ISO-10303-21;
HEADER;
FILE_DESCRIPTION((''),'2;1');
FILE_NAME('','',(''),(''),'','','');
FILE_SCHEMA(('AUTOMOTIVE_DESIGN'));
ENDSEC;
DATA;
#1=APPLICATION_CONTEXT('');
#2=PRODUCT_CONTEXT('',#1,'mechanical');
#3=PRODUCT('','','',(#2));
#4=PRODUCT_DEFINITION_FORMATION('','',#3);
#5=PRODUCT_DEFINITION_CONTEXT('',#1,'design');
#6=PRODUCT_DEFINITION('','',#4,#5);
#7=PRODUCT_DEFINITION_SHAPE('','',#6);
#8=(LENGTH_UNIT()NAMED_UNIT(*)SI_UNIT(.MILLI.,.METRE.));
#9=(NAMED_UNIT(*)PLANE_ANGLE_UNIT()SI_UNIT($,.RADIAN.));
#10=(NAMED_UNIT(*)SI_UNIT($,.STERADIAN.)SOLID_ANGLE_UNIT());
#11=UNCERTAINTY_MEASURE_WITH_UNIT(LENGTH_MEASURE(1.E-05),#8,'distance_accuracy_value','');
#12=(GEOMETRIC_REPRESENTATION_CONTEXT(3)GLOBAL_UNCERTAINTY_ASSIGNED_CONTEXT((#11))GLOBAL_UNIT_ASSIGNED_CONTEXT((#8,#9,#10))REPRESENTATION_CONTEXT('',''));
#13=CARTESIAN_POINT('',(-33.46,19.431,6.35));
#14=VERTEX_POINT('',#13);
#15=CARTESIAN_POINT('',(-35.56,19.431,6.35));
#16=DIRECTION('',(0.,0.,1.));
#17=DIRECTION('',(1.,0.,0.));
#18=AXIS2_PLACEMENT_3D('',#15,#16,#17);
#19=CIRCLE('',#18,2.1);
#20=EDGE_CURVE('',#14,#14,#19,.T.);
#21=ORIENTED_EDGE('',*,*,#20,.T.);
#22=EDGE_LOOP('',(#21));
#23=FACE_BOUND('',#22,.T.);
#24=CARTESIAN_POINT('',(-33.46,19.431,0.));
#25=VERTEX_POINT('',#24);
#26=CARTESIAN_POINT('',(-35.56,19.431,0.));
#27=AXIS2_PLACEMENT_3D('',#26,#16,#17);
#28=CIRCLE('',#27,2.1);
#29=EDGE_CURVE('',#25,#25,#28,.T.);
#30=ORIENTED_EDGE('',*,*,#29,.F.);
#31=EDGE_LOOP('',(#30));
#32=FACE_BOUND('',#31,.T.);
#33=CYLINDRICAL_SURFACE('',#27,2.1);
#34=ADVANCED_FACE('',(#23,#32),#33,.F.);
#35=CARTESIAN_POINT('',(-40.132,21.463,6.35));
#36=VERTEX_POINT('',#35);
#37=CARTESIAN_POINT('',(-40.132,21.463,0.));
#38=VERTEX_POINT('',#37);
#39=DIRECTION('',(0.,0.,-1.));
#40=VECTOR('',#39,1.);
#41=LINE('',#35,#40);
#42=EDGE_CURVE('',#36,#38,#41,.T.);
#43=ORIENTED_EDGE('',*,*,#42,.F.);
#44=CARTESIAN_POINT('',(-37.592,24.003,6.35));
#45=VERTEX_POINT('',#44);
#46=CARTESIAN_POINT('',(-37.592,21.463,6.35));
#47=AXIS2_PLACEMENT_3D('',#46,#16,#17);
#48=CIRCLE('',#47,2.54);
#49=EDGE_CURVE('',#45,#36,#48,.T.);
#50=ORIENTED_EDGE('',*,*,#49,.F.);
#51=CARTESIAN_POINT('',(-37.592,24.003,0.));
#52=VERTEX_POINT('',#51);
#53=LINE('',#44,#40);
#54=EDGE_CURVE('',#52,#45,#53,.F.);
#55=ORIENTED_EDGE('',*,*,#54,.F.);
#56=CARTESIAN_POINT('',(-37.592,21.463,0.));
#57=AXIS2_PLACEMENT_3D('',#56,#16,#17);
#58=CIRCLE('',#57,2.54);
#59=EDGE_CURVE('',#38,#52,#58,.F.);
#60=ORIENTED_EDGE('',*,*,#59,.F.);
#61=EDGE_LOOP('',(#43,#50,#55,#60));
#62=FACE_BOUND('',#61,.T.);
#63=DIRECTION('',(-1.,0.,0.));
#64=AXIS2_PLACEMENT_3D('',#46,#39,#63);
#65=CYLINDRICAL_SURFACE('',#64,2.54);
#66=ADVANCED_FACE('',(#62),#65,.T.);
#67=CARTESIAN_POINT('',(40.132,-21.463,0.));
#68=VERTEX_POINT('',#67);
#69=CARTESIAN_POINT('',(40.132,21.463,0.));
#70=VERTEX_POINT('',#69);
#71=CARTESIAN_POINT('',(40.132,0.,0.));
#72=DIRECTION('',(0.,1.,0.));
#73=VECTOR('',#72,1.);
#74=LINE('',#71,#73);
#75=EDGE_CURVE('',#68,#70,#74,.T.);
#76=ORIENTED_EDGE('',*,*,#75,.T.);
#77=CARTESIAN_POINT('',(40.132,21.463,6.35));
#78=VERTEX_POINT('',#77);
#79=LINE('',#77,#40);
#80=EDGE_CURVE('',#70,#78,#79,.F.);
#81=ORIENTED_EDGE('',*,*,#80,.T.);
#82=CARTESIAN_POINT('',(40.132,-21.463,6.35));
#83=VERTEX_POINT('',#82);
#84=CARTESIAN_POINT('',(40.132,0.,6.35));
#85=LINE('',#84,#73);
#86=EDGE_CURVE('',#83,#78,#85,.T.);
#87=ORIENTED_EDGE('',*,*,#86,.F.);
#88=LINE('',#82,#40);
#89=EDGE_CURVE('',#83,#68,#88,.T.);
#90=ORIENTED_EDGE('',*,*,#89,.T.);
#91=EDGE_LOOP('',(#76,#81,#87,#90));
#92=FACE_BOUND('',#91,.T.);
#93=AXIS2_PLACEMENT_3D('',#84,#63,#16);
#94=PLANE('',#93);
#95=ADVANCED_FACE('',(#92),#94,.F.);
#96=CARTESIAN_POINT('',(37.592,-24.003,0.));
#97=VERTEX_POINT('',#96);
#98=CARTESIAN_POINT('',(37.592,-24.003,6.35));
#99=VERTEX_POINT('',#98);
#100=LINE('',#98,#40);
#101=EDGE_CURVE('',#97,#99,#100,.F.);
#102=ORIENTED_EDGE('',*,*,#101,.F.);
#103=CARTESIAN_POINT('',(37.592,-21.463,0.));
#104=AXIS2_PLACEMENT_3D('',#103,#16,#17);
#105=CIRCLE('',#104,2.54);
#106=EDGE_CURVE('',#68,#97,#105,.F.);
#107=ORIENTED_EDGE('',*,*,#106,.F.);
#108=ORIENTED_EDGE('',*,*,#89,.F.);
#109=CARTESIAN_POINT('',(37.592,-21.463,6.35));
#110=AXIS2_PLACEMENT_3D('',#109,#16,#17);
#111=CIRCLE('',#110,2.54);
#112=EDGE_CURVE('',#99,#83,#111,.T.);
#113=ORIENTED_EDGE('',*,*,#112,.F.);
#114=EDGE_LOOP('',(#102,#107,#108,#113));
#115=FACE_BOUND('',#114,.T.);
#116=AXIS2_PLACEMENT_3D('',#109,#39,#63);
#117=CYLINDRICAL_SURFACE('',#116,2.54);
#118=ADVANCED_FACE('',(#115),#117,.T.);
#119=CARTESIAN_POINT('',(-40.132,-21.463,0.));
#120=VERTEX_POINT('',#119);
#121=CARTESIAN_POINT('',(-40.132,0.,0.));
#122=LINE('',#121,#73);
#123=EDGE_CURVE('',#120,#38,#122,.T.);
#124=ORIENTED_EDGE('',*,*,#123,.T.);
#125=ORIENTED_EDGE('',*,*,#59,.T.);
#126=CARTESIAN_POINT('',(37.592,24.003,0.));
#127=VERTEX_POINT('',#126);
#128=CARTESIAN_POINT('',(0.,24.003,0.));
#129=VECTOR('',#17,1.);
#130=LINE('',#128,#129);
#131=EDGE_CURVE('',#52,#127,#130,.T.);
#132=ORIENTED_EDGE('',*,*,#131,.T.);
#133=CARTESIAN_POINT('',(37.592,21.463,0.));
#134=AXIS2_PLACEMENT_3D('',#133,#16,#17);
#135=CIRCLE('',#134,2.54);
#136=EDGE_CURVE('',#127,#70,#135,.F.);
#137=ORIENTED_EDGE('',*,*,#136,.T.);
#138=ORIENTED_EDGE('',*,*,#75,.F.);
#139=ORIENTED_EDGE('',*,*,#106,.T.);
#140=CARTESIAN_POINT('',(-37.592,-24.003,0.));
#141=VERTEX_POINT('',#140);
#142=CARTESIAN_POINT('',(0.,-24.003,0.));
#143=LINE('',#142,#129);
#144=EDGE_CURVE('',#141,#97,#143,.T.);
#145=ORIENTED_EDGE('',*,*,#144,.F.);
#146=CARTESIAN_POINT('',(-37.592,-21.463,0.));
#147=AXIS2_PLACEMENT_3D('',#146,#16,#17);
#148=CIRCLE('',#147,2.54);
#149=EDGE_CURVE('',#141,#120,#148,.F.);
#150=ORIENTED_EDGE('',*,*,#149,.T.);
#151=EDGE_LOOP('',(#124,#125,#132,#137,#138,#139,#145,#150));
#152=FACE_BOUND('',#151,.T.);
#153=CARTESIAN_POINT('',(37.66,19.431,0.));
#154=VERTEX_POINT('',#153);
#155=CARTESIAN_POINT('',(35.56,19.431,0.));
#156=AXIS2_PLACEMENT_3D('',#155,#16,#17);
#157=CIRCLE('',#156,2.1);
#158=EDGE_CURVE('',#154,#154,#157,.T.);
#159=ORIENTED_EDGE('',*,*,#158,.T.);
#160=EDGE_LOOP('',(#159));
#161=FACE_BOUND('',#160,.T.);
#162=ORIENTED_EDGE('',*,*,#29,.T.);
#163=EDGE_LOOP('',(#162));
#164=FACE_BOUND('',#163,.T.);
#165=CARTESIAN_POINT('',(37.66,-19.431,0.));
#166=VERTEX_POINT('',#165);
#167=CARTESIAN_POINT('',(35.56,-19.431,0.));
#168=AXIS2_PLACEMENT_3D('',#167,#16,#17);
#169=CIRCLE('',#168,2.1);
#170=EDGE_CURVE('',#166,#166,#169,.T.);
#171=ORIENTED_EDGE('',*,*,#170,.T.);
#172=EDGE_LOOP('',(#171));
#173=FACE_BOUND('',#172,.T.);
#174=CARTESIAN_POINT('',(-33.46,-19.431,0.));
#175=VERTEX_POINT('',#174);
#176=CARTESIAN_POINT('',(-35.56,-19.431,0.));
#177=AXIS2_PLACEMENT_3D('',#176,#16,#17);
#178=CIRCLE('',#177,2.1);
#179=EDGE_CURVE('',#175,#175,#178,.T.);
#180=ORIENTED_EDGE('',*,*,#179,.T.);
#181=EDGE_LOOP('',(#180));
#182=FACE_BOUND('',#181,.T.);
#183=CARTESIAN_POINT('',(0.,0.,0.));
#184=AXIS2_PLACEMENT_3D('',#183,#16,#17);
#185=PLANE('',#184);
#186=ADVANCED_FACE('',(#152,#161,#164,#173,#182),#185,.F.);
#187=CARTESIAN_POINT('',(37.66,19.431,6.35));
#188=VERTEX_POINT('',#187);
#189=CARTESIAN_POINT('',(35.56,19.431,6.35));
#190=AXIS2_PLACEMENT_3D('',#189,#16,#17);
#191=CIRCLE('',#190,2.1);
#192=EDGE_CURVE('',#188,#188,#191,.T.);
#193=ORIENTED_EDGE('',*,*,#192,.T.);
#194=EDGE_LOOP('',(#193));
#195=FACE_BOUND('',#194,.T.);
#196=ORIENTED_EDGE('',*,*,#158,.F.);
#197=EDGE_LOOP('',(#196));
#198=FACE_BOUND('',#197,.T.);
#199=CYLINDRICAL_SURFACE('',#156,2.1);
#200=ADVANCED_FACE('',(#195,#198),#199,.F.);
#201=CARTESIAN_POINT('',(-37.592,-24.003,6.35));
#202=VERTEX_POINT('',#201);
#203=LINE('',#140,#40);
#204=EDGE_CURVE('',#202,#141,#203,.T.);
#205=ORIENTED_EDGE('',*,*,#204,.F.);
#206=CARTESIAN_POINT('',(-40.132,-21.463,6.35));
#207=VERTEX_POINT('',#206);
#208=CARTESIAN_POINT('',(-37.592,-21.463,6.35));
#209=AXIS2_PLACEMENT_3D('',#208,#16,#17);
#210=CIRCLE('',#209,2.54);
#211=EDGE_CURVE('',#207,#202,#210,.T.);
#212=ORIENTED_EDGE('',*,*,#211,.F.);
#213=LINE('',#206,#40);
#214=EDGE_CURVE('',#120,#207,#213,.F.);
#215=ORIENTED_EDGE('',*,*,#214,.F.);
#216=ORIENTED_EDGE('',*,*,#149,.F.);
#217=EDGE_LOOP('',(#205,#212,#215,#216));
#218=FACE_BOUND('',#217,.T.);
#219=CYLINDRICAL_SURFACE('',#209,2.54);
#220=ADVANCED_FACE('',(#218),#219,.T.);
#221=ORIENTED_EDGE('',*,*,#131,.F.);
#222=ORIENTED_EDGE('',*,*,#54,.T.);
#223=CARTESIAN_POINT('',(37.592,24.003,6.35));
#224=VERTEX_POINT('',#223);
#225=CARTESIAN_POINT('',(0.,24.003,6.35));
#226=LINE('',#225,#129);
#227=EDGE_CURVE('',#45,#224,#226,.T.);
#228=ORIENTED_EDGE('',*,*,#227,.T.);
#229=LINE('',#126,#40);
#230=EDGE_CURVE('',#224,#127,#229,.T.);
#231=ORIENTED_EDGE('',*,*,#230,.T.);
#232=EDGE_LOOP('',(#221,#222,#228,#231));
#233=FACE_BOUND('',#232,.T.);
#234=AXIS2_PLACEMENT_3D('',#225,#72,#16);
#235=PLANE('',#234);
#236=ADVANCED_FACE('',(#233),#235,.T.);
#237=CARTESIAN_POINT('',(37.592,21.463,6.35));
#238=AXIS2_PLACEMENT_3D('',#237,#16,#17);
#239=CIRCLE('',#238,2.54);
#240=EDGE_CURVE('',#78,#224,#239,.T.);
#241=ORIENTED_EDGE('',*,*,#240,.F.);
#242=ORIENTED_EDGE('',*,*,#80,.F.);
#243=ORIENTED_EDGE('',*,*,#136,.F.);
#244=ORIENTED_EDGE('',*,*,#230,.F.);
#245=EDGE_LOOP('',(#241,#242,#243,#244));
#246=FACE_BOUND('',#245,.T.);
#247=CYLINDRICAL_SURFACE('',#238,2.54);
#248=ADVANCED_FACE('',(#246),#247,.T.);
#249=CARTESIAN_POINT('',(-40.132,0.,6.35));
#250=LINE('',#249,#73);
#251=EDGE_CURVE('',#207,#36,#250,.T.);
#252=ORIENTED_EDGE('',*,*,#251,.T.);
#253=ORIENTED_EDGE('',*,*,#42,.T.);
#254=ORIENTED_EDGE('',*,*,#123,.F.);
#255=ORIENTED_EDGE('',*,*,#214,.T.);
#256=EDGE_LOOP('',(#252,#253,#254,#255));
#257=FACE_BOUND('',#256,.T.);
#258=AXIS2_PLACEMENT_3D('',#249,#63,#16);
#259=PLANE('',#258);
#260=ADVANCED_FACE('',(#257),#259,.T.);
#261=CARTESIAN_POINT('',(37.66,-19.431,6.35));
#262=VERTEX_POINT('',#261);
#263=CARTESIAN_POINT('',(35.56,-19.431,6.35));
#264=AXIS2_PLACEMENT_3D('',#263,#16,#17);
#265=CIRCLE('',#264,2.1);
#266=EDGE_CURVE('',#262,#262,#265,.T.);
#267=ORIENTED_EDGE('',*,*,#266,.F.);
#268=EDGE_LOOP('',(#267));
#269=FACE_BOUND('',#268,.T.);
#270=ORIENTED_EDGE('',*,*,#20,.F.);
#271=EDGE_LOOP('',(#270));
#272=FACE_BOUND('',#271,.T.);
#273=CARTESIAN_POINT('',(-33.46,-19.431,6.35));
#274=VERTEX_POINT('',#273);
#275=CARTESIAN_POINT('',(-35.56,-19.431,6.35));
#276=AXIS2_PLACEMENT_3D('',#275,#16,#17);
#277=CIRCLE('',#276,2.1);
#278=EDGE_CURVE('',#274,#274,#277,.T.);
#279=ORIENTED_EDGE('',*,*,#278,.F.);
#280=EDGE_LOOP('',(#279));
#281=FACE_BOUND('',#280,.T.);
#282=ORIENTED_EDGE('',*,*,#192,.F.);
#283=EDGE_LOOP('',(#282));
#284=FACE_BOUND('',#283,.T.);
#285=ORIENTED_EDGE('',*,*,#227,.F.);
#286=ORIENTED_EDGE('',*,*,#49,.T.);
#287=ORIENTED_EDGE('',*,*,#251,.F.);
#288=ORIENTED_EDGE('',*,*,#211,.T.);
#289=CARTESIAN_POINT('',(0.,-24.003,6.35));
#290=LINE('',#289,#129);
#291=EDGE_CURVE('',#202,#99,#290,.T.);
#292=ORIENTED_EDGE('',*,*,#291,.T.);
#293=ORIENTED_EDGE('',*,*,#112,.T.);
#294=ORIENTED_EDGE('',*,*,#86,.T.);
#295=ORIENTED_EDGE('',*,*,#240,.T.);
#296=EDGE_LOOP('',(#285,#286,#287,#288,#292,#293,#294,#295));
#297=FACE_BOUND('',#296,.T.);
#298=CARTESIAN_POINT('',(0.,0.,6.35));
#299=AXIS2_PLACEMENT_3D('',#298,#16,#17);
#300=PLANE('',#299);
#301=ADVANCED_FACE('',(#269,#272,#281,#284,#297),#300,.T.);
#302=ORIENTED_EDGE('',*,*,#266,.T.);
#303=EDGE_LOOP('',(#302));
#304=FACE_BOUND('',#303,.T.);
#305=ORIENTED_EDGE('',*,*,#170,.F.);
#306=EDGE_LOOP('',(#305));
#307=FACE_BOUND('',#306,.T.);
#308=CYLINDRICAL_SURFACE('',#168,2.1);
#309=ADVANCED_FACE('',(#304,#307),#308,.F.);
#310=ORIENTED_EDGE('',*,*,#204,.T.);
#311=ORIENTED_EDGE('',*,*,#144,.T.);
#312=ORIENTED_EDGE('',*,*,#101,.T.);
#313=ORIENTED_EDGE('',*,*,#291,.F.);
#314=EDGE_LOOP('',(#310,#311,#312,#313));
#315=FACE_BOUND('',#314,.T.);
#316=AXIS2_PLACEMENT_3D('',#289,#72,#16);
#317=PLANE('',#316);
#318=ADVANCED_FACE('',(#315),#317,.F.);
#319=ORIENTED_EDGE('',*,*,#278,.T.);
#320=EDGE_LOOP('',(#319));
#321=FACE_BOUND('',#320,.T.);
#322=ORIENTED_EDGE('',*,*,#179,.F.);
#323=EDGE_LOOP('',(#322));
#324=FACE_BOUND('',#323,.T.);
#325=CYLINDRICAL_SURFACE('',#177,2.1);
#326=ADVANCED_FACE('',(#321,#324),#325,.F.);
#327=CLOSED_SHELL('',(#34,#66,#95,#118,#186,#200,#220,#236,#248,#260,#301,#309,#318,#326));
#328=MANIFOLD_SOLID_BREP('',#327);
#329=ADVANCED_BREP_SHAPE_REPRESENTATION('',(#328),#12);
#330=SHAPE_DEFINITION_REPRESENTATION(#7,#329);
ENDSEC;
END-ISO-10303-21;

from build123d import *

# Parameters (mm, degrees)
SKETCH1_W           = 80.264
SKETCH1_H           = 48.006
SKETCH1_W_2         = 71.12
SKETCH1_H_2         = 38.862
BOSS_EXTRUDE1_DEPTH = 6.35
CUT_EXTRUDE2_DEPTH  = 48.191566333
FILLET1_R           = 2.54


with BuildPart() as part:
    # Sketch1 → Boss-Extrude1 (new body)
    # profile 1 of 2: a face of its own
    with BuildSketch(Plane.XY):
        Rectangle(SKETCH1_W, SKETCH1_H)
        Rectangle(SKETCH1_W_2, SKETCH1_H_2, mode=Mode.SUBTRACT)
    # profile 2 of 2: a face of its own
    with BuildSketch(Plane.XY):
        Rectangle(SKETCH1_W_2, SKETCH1_H_2)
    extrude(amount=BOSS_EXTRUDE1_DEPTH)

    # Sketch2 → Cut-Extrude2 (cut, through all)
    with BuildSketch(Plane.XY.offset(6.35)):
        with BuildLine():
            ThreePointArc((-33.459999882, 19.431), (-37.044924324, 20.915924324), (-35.56, 17.330999882))
            Line((-35.56, 17.330999882), (-35.56, 19.431))
            Line((-35.56, 19.431), (-33.459999882, 19.431))
        make_face()
        with BuildLine():
            Line((-35.56, 19.431), (-35.56, 17.330999882))
            ThreePointArc((-35.56, 17.330999882), (-34.075075676, 17.946075676), (-33.459999882, 19.431))
            Line((-33.459999882, 19.431), (-35.56, 19.431))
        make_face()
        with BuildLine():
            Line((-35.56, -17.330999882), (-35.56, -19.431))
            Line((-35.56, -19.431), (-33.459999882, -19.431))
            ThreePointArc((-33.459999882, -19.431), (-34.075075676, -17.946075676), (-35.56, -17.330999882))
        make_face()
        with BuildLine():
            Line((-33.459999882, -19.431), (-35.56, -19.431))
            Line((-35.56, -19.431), (-35.56, -17.330999882))
            ThreePointArc((-35.56, -17.330999882), (-37.044924324, -20.915924324), (-33.459999882, -19.431))
        make_face()
        with BuildLine():
            ThreePointArc((33.459999882, 19.431), (34.075075676, 17.946075676), (35.56, 17.330999882))
            Line((35.56, 17.330999882), (35.56, 19.431))
            Line((35.56, 19.431), (33.459999882, 19.431))
        make_face()
        with BuildLine():
            Line((35.56, 19.431), (35.56, 17.330999882))
            ThreePointArc((35.56, 17.330999882), (37.044924324, 17.946075676), (37.660000118, 19.431))
            ThreePointArc((37.660000118, 19.431), (35.56, 21.531000118), (33.459999882, 19.431))
            Line((33.459999882, 19.431), (35.56, 19.431))
        make_face()
        with BuildLine():
            ThreePointArc((35.56, -17.330999882), (34.075075676, -17.946075676), (33.459999882, -19.431))
            Line((33.459999882, -19.431), (35.56, -19.431))
            Line((35.56, -19.431), (35.56, -17.330999882))
        make_face()
        with BuildLine():
            Line((35.56, -19.431), (33.459999882, -19.431))
            ThreePointArc((33.459999882, -19.431), (35.56, -21.531000118), (37.660000118, -19.431))
            ThreePointArc((37.660000118, -19.431), (37.044924324, -17.946075676), (35.56, -17.330999882))
            Line((35.56, -17.330999882), (35.56, -19.431))
        make_face()
    extrude(amount=-CUT_EXTRUDE2_DEPTH, mode=Mode.SUBTRACT)

    # Fillet1
    fillet1_edges = [part.edges().sort_by_distance(p)[0] for p in [
        (-40.132, -24.003, 3.175),
        (-40.132, 24.003, 3.175),
        (40.132, 24.003, 3.175),
        (40.132, -24.003, 3.175),
    ]]
    fillet(fillet1_edges, radius=FILLET1_R)


solid = part.part
